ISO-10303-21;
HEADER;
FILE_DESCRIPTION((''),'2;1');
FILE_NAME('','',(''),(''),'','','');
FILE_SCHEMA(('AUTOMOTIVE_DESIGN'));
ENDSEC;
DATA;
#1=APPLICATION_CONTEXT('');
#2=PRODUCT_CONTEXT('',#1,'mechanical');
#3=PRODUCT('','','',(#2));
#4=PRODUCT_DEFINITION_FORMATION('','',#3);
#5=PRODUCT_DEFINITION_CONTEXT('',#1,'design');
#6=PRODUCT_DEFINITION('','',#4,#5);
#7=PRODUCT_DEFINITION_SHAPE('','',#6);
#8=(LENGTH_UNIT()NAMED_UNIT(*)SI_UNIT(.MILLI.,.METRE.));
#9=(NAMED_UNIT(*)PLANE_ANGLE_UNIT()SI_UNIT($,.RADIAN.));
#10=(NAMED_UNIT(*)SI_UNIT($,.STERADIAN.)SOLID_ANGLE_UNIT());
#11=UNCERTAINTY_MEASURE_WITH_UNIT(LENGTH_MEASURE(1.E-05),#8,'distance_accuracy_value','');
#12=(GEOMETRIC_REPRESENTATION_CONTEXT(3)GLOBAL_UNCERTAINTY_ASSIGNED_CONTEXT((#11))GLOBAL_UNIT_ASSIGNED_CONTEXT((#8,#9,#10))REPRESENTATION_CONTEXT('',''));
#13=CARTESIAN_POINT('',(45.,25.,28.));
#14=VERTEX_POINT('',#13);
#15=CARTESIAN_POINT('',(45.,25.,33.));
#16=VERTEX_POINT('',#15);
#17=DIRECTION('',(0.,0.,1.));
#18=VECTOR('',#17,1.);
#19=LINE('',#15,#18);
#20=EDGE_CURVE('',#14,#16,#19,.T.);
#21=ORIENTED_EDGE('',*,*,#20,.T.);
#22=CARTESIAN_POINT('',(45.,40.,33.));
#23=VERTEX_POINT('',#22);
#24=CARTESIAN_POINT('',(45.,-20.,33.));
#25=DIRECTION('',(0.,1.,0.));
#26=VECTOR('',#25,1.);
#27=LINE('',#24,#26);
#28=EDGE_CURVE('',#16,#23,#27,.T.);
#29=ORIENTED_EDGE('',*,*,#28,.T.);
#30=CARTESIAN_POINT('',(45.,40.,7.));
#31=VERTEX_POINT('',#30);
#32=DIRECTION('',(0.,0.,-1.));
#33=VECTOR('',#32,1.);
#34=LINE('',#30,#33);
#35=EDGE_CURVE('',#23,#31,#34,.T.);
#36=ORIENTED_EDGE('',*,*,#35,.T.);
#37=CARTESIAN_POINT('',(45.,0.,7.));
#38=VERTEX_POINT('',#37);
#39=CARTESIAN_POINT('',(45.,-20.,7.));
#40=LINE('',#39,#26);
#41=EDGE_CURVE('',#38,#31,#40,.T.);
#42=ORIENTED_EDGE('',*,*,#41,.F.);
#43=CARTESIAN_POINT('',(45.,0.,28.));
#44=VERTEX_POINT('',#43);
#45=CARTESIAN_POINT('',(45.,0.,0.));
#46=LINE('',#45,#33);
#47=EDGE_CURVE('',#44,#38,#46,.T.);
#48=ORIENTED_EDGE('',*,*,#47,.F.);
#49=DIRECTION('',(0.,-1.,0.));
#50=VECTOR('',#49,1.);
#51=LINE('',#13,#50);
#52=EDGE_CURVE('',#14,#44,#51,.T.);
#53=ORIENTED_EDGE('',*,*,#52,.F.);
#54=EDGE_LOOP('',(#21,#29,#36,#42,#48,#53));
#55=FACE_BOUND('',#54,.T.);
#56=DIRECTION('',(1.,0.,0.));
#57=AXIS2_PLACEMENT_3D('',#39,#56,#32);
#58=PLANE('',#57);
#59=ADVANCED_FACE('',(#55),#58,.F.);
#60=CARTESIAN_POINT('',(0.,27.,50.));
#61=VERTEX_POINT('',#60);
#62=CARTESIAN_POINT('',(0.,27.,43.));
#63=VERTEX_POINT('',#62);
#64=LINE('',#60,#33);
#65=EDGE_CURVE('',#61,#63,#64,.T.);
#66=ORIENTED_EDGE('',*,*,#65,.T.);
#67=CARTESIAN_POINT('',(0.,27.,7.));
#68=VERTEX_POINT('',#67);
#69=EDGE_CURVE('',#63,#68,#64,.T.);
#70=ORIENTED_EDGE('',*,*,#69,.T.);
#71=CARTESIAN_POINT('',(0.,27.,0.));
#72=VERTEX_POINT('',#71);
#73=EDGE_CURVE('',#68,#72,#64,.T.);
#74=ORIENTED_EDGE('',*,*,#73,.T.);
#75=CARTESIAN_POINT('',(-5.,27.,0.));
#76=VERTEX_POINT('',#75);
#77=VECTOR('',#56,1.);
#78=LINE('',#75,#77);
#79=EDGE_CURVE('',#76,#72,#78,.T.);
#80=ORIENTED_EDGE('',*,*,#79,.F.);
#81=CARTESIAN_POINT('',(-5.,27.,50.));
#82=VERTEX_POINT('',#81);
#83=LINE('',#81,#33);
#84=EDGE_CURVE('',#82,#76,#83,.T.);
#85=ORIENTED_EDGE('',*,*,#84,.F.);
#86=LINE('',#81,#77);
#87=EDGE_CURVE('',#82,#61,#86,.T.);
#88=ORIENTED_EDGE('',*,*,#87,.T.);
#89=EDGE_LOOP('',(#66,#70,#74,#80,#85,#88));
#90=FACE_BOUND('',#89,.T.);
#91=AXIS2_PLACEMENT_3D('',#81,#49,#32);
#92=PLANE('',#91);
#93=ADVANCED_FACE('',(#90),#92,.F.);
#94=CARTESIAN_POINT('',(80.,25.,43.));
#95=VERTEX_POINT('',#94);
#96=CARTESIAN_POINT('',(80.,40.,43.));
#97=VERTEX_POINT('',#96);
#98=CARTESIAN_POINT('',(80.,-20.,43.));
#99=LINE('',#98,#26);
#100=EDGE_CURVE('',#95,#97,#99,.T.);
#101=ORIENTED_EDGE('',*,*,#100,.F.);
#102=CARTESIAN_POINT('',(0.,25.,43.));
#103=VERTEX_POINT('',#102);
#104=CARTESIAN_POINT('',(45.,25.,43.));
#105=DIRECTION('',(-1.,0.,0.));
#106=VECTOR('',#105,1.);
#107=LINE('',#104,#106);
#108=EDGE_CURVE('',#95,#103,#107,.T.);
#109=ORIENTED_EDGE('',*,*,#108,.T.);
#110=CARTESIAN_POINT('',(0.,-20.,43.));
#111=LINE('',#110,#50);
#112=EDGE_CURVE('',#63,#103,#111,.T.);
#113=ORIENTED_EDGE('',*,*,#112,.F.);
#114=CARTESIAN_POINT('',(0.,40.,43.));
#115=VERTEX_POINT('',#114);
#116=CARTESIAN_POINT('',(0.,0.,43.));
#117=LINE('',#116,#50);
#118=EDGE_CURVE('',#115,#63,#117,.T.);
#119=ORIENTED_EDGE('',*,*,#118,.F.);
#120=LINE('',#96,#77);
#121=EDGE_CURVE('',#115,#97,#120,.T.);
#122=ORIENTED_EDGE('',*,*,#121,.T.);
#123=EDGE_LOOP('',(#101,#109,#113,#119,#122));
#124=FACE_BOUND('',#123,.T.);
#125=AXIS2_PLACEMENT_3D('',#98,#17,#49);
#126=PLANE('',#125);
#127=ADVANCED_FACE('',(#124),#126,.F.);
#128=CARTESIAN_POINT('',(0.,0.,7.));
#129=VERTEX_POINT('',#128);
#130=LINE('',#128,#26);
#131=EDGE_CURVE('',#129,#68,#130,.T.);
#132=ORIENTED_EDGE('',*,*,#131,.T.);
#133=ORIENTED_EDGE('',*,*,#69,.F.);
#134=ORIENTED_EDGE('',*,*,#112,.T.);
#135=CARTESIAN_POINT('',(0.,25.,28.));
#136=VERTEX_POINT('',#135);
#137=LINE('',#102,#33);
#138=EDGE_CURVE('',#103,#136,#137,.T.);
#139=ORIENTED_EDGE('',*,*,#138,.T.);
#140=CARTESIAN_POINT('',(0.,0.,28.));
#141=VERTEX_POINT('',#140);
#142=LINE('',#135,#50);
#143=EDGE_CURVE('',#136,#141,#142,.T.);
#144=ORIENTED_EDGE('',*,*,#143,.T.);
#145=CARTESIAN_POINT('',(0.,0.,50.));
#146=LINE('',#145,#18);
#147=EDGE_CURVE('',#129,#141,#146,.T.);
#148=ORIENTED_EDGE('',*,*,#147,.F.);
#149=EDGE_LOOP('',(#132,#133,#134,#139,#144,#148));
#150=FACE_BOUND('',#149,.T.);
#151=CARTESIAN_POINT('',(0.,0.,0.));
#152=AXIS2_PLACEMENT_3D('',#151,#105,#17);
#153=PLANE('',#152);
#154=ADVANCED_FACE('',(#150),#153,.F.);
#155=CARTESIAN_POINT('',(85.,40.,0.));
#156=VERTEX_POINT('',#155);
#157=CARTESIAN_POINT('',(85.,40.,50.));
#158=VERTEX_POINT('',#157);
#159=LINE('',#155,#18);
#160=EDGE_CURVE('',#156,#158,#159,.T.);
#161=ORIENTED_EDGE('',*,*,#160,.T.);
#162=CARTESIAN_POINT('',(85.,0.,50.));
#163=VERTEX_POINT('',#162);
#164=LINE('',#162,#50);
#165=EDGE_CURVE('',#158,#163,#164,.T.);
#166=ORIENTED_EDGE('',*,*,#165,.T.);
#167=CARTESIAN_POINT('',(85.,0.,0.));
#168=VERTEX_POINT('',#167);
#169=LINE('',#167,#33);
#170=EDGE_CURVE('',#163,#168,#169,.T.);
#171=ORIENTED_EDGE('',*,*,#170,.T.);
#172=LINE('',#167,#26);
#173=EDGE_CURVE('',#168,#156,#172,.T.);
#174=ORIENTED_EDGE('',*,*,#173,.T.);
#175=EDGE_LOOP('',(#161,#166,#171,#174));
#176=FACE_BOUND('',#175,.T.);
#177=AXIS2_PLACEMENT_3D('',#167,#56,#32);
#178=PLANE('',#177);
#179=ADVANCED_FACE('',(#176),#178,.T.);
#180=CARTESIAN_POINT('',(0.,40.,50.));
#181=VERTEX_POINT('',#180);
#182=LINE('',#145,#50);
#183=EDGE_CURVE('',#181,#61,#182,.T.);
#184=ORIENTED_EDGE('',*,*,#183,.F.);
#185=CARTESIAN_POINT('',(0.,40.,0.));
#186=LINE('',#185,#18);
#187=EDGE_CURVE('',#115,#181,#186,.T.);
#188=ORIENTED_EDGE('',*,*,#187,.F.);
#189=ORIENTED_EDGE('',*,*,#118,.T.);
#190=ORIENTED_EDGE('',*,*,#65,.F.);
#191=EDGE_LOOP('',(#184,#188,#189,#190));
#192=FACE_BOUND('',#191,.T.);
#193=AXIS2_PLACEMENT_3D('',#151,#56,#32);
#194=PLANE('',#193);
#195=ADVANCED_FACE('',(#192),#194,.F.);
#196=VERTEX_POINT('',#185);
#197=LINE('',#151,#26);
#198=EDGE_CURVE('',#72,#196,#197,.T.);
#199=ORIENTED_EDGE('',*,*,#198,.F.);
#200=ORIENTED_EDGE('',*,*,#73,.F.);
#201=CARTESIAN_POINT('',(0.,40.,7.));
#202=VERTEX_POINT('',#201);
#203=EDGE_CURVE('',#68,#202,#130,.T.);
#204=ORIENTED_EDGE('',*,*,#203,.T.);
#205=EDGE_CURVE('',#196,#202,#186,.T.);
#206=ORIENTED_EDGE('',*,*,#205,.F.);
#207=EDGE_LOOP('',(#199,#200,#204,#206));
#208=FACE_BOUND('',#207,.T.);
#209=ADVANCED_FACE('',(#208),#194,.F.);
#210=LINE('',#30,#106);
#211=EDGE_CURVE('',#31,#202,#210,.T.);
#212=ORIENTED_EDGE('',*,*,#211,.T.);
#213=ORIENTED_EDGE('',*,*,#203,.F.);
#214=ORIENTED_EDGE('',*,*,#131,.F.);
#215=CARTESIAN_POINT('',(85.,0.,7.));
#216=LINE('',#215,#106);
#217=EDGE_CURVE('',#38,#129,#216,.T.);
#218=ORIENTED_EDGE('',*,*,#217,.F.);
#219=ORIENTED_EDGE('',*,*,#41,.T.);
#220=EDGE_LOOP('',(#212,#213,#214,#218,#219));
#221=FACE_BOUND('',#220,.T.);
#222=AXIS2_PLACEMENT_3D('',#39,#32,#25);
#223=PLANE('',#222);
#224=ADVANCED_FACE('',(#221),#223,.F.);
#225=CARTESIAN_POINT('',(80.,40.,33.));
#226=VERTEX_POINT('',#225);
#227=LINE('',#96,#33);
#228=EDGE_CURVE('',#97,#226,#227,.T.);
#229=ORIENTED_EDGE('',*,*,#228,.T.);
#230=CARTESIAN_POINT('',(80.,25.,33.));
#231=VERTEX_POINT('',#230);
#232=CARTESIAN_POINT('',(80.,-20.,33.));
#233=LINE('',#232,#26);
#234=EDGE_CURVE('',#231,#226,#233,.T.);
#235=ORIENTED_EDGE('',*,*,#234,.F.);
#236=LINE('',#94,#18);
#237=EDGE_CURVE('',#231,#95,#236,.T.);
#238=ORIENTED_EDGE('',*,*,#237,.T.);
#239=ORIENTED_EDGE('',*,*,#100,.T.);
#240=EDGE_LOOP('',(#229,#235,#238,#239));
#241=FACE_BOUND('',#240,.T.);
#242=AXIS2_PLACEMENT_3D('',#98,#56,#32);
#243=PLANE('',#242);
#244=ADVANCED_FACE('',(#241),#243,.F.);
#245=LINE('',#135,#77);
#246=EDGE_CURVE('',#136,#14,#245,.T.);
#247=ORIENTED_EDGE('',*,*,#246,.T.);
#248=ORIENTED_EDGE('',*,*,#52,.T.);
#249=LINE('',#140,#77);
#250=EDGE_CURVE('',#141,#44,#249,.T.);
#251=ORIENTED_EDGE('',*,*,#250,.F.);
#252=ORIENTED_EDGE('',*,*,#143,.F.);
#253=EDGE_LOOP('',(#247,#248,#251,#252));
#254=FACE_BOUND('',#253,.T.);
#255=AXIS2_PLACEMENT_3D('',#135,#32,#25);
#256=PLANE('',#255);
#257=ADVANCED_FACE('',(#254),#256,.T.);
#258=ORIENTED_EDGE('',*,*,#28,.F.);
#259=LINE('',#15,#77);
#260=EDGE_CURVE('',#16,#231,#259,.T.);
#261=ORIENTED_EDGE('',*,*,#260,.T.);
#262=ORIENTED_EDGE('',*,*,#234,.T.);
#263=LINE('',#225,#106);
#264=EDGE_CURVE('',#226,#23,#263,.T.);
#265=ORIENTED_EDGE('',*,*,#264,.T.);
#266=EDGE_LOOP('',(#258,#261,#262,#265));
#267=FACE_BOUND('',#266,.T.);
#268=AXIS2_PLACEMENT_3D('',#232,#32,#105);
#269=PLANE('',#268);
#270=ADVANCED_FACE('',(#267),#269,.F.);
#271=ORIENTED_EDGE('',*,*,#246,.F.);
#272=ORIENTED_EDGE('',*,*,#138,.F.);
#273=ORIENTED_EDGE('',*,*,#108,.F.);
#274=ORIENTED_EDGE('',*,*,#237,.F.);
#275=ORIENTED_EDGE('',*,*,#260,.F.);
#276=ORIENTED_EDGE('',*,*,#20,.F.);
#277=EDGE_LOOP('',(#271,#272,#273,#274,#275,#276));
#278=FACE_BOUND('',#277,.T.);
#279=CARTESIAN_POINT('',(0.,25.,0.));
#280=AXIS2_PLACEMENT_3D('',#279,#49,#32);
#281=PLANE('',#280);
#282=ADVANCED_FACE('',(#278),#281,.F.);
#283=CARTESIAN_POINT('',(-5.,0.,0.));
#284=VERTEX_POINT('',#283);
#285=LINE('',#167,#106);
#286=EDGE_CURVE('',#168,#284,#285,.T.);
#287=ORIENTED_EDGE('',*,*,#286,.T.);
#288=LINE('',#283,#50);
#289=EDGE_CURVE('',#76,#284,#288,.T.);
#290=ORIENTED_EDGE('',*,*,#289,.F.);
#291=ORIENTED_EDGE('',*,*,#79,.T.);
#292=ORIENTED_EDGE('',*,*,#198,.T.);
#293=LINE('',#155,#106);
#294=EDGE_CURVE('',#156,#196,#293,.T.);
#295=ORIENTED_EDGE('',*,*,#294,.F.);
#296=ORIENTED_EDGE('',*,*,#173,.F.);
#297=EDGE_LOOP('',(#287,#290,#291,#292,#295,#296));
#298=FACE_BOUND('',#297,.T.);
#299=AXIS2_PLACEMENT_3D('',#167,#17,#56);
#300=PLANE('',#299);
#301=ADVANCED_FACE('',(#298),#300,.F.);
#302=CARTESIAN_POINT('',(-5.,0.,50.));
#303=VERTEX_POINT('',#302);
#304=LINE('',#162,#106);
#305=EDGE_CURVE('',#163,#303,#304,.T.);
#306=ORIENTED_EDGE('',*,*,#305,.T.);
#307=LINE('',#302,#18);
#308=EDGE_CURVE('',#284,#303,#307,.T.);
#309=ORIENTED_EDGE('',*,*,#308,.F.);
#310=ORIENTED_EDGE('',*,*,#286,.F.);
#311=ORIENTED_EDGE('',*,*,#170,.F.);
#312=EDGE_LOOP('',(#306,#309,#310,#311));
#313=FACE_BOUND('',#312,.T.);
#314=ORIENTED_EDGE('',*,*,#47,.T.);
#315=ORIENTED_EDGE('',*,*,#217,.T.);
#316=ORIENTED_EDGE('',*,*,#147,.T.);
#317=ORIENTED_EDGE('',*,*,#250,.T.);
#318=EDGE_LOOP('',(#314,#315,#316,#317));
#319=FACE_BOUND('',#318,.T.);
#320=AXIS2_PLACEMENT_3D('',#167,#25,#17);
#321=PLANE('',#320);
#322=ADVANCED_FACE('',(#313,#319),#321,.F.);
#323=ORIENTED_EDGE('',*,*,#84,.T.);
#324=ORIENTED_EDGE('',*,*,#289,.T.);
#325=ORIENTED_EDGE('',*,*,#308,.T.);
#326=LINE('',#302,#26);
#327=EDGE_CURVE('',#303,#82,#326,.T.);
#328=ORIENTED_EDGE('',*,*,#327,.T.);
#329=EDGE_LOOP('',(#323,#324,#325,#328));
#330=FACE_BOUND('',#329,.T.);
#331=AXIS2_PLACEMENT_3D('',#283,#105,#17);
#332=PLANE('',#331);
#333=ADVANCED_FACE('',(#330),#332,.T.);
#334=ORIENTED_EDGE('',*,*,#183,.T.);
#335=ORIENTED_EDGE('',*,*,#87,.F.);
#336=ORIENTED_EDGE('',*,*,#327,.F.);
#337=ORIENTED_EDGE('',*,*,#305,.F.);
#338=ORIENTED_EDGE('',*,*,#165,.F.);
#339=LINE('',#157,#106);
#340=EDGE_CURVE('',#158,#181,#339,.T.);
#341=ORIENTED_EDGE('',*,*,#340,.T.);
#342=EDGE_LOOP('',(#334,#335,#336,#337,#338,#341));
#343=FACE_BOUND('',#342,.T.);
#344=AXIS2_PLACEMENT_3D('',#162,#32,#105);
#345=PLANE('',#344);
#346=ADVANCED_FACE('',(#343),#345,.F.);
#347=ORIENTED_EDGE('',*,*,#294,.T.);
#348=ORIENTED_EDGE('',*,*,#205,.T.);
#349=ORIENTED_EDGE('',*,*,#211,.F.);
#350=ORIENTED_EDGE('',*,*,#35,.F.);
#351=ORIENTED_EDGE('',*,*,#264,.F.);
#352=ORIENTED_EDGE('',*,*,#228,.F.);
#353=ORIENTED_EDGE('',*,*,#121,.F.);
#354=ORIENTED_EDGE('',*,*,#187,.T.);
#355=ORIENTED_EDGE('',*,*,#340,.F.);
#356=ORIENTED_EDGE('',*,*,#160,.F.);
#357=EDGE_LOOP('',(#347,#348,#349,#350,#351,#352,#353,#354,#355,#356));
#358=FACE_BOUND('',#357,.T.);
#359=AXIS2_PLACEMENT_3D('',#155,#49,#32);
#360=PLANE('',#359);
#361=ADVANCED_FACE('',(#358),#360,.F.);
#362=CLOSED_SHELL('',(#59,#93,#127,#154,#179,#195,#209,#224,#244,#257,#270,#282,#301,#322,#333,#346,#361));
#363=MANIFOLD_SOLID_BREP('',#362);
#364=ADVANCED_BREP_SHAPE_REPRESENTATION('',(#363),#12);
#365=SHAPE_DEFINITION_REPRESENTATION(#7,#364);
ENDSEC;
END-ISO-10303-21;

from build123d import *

# Parameters (mm, degrees)
SKETCH_1_W          = 50
SKETCH_1_H          = 40
EXTRUDE_1_DEPTH     = 85
CUT_EXTRUDE_1_DEPTH = 60
EXTRUDE_2_DEPTH     = 25
SKETCH_4_W          = 50
SKETCH_4_H          = 27
EXTRUDE_3_DEPTH     = 5


with BuildPart() as part:
    # 草图1 → 凸台-拉伸1 (new body)
    with BuildSketch(Plane(origin=(0, 0, 0), x_dir=(0, 0, -1), z_dir=(1, 0, 0))):
        with Locations((-25, 20)):
            Rectangle(SKETCH_1_W, SKETCH_1_H)
    extrude(amount=EXTRUDE_1_DEPTH)

    # 草图2 → 切除-拉伸1 (cut)
    with BuildSketch(Plane(origin=(0, 40, 0), x_dir=(1, 0, 0), z_dir=(0, 1, 0))):
        Polygon((45, -7), (0, -7), (0, -35), (0, -43), (80, -43), (80, -33), (45, -33), align=None)
    extrude(amount=-CUT_EXTRUDE_1_DEPTH, mode=Mode.SUBTRACT)

    # 草图3 → 凸台-拉伸2 (add)
    with BuildSketch(Plane.XZ):
        Polygon((0, 43), (45, 43), (80, 43), (80, 33), (45, 33), (45, 28), (0, 28), align=None)
    extrude(amount=-EXTRUDE_2_DEPTH)

    # 草图4 → 凸台-拉伸3 (add)
    with BuildSketch(Plane.ZY):
        with Locations((25, 13.5)):
            Rectangle(SKETCH_4_W, SKETCH_4_H)
    extrude(amount=EXTRUDE_3_DEPTH)


solid = part.part
